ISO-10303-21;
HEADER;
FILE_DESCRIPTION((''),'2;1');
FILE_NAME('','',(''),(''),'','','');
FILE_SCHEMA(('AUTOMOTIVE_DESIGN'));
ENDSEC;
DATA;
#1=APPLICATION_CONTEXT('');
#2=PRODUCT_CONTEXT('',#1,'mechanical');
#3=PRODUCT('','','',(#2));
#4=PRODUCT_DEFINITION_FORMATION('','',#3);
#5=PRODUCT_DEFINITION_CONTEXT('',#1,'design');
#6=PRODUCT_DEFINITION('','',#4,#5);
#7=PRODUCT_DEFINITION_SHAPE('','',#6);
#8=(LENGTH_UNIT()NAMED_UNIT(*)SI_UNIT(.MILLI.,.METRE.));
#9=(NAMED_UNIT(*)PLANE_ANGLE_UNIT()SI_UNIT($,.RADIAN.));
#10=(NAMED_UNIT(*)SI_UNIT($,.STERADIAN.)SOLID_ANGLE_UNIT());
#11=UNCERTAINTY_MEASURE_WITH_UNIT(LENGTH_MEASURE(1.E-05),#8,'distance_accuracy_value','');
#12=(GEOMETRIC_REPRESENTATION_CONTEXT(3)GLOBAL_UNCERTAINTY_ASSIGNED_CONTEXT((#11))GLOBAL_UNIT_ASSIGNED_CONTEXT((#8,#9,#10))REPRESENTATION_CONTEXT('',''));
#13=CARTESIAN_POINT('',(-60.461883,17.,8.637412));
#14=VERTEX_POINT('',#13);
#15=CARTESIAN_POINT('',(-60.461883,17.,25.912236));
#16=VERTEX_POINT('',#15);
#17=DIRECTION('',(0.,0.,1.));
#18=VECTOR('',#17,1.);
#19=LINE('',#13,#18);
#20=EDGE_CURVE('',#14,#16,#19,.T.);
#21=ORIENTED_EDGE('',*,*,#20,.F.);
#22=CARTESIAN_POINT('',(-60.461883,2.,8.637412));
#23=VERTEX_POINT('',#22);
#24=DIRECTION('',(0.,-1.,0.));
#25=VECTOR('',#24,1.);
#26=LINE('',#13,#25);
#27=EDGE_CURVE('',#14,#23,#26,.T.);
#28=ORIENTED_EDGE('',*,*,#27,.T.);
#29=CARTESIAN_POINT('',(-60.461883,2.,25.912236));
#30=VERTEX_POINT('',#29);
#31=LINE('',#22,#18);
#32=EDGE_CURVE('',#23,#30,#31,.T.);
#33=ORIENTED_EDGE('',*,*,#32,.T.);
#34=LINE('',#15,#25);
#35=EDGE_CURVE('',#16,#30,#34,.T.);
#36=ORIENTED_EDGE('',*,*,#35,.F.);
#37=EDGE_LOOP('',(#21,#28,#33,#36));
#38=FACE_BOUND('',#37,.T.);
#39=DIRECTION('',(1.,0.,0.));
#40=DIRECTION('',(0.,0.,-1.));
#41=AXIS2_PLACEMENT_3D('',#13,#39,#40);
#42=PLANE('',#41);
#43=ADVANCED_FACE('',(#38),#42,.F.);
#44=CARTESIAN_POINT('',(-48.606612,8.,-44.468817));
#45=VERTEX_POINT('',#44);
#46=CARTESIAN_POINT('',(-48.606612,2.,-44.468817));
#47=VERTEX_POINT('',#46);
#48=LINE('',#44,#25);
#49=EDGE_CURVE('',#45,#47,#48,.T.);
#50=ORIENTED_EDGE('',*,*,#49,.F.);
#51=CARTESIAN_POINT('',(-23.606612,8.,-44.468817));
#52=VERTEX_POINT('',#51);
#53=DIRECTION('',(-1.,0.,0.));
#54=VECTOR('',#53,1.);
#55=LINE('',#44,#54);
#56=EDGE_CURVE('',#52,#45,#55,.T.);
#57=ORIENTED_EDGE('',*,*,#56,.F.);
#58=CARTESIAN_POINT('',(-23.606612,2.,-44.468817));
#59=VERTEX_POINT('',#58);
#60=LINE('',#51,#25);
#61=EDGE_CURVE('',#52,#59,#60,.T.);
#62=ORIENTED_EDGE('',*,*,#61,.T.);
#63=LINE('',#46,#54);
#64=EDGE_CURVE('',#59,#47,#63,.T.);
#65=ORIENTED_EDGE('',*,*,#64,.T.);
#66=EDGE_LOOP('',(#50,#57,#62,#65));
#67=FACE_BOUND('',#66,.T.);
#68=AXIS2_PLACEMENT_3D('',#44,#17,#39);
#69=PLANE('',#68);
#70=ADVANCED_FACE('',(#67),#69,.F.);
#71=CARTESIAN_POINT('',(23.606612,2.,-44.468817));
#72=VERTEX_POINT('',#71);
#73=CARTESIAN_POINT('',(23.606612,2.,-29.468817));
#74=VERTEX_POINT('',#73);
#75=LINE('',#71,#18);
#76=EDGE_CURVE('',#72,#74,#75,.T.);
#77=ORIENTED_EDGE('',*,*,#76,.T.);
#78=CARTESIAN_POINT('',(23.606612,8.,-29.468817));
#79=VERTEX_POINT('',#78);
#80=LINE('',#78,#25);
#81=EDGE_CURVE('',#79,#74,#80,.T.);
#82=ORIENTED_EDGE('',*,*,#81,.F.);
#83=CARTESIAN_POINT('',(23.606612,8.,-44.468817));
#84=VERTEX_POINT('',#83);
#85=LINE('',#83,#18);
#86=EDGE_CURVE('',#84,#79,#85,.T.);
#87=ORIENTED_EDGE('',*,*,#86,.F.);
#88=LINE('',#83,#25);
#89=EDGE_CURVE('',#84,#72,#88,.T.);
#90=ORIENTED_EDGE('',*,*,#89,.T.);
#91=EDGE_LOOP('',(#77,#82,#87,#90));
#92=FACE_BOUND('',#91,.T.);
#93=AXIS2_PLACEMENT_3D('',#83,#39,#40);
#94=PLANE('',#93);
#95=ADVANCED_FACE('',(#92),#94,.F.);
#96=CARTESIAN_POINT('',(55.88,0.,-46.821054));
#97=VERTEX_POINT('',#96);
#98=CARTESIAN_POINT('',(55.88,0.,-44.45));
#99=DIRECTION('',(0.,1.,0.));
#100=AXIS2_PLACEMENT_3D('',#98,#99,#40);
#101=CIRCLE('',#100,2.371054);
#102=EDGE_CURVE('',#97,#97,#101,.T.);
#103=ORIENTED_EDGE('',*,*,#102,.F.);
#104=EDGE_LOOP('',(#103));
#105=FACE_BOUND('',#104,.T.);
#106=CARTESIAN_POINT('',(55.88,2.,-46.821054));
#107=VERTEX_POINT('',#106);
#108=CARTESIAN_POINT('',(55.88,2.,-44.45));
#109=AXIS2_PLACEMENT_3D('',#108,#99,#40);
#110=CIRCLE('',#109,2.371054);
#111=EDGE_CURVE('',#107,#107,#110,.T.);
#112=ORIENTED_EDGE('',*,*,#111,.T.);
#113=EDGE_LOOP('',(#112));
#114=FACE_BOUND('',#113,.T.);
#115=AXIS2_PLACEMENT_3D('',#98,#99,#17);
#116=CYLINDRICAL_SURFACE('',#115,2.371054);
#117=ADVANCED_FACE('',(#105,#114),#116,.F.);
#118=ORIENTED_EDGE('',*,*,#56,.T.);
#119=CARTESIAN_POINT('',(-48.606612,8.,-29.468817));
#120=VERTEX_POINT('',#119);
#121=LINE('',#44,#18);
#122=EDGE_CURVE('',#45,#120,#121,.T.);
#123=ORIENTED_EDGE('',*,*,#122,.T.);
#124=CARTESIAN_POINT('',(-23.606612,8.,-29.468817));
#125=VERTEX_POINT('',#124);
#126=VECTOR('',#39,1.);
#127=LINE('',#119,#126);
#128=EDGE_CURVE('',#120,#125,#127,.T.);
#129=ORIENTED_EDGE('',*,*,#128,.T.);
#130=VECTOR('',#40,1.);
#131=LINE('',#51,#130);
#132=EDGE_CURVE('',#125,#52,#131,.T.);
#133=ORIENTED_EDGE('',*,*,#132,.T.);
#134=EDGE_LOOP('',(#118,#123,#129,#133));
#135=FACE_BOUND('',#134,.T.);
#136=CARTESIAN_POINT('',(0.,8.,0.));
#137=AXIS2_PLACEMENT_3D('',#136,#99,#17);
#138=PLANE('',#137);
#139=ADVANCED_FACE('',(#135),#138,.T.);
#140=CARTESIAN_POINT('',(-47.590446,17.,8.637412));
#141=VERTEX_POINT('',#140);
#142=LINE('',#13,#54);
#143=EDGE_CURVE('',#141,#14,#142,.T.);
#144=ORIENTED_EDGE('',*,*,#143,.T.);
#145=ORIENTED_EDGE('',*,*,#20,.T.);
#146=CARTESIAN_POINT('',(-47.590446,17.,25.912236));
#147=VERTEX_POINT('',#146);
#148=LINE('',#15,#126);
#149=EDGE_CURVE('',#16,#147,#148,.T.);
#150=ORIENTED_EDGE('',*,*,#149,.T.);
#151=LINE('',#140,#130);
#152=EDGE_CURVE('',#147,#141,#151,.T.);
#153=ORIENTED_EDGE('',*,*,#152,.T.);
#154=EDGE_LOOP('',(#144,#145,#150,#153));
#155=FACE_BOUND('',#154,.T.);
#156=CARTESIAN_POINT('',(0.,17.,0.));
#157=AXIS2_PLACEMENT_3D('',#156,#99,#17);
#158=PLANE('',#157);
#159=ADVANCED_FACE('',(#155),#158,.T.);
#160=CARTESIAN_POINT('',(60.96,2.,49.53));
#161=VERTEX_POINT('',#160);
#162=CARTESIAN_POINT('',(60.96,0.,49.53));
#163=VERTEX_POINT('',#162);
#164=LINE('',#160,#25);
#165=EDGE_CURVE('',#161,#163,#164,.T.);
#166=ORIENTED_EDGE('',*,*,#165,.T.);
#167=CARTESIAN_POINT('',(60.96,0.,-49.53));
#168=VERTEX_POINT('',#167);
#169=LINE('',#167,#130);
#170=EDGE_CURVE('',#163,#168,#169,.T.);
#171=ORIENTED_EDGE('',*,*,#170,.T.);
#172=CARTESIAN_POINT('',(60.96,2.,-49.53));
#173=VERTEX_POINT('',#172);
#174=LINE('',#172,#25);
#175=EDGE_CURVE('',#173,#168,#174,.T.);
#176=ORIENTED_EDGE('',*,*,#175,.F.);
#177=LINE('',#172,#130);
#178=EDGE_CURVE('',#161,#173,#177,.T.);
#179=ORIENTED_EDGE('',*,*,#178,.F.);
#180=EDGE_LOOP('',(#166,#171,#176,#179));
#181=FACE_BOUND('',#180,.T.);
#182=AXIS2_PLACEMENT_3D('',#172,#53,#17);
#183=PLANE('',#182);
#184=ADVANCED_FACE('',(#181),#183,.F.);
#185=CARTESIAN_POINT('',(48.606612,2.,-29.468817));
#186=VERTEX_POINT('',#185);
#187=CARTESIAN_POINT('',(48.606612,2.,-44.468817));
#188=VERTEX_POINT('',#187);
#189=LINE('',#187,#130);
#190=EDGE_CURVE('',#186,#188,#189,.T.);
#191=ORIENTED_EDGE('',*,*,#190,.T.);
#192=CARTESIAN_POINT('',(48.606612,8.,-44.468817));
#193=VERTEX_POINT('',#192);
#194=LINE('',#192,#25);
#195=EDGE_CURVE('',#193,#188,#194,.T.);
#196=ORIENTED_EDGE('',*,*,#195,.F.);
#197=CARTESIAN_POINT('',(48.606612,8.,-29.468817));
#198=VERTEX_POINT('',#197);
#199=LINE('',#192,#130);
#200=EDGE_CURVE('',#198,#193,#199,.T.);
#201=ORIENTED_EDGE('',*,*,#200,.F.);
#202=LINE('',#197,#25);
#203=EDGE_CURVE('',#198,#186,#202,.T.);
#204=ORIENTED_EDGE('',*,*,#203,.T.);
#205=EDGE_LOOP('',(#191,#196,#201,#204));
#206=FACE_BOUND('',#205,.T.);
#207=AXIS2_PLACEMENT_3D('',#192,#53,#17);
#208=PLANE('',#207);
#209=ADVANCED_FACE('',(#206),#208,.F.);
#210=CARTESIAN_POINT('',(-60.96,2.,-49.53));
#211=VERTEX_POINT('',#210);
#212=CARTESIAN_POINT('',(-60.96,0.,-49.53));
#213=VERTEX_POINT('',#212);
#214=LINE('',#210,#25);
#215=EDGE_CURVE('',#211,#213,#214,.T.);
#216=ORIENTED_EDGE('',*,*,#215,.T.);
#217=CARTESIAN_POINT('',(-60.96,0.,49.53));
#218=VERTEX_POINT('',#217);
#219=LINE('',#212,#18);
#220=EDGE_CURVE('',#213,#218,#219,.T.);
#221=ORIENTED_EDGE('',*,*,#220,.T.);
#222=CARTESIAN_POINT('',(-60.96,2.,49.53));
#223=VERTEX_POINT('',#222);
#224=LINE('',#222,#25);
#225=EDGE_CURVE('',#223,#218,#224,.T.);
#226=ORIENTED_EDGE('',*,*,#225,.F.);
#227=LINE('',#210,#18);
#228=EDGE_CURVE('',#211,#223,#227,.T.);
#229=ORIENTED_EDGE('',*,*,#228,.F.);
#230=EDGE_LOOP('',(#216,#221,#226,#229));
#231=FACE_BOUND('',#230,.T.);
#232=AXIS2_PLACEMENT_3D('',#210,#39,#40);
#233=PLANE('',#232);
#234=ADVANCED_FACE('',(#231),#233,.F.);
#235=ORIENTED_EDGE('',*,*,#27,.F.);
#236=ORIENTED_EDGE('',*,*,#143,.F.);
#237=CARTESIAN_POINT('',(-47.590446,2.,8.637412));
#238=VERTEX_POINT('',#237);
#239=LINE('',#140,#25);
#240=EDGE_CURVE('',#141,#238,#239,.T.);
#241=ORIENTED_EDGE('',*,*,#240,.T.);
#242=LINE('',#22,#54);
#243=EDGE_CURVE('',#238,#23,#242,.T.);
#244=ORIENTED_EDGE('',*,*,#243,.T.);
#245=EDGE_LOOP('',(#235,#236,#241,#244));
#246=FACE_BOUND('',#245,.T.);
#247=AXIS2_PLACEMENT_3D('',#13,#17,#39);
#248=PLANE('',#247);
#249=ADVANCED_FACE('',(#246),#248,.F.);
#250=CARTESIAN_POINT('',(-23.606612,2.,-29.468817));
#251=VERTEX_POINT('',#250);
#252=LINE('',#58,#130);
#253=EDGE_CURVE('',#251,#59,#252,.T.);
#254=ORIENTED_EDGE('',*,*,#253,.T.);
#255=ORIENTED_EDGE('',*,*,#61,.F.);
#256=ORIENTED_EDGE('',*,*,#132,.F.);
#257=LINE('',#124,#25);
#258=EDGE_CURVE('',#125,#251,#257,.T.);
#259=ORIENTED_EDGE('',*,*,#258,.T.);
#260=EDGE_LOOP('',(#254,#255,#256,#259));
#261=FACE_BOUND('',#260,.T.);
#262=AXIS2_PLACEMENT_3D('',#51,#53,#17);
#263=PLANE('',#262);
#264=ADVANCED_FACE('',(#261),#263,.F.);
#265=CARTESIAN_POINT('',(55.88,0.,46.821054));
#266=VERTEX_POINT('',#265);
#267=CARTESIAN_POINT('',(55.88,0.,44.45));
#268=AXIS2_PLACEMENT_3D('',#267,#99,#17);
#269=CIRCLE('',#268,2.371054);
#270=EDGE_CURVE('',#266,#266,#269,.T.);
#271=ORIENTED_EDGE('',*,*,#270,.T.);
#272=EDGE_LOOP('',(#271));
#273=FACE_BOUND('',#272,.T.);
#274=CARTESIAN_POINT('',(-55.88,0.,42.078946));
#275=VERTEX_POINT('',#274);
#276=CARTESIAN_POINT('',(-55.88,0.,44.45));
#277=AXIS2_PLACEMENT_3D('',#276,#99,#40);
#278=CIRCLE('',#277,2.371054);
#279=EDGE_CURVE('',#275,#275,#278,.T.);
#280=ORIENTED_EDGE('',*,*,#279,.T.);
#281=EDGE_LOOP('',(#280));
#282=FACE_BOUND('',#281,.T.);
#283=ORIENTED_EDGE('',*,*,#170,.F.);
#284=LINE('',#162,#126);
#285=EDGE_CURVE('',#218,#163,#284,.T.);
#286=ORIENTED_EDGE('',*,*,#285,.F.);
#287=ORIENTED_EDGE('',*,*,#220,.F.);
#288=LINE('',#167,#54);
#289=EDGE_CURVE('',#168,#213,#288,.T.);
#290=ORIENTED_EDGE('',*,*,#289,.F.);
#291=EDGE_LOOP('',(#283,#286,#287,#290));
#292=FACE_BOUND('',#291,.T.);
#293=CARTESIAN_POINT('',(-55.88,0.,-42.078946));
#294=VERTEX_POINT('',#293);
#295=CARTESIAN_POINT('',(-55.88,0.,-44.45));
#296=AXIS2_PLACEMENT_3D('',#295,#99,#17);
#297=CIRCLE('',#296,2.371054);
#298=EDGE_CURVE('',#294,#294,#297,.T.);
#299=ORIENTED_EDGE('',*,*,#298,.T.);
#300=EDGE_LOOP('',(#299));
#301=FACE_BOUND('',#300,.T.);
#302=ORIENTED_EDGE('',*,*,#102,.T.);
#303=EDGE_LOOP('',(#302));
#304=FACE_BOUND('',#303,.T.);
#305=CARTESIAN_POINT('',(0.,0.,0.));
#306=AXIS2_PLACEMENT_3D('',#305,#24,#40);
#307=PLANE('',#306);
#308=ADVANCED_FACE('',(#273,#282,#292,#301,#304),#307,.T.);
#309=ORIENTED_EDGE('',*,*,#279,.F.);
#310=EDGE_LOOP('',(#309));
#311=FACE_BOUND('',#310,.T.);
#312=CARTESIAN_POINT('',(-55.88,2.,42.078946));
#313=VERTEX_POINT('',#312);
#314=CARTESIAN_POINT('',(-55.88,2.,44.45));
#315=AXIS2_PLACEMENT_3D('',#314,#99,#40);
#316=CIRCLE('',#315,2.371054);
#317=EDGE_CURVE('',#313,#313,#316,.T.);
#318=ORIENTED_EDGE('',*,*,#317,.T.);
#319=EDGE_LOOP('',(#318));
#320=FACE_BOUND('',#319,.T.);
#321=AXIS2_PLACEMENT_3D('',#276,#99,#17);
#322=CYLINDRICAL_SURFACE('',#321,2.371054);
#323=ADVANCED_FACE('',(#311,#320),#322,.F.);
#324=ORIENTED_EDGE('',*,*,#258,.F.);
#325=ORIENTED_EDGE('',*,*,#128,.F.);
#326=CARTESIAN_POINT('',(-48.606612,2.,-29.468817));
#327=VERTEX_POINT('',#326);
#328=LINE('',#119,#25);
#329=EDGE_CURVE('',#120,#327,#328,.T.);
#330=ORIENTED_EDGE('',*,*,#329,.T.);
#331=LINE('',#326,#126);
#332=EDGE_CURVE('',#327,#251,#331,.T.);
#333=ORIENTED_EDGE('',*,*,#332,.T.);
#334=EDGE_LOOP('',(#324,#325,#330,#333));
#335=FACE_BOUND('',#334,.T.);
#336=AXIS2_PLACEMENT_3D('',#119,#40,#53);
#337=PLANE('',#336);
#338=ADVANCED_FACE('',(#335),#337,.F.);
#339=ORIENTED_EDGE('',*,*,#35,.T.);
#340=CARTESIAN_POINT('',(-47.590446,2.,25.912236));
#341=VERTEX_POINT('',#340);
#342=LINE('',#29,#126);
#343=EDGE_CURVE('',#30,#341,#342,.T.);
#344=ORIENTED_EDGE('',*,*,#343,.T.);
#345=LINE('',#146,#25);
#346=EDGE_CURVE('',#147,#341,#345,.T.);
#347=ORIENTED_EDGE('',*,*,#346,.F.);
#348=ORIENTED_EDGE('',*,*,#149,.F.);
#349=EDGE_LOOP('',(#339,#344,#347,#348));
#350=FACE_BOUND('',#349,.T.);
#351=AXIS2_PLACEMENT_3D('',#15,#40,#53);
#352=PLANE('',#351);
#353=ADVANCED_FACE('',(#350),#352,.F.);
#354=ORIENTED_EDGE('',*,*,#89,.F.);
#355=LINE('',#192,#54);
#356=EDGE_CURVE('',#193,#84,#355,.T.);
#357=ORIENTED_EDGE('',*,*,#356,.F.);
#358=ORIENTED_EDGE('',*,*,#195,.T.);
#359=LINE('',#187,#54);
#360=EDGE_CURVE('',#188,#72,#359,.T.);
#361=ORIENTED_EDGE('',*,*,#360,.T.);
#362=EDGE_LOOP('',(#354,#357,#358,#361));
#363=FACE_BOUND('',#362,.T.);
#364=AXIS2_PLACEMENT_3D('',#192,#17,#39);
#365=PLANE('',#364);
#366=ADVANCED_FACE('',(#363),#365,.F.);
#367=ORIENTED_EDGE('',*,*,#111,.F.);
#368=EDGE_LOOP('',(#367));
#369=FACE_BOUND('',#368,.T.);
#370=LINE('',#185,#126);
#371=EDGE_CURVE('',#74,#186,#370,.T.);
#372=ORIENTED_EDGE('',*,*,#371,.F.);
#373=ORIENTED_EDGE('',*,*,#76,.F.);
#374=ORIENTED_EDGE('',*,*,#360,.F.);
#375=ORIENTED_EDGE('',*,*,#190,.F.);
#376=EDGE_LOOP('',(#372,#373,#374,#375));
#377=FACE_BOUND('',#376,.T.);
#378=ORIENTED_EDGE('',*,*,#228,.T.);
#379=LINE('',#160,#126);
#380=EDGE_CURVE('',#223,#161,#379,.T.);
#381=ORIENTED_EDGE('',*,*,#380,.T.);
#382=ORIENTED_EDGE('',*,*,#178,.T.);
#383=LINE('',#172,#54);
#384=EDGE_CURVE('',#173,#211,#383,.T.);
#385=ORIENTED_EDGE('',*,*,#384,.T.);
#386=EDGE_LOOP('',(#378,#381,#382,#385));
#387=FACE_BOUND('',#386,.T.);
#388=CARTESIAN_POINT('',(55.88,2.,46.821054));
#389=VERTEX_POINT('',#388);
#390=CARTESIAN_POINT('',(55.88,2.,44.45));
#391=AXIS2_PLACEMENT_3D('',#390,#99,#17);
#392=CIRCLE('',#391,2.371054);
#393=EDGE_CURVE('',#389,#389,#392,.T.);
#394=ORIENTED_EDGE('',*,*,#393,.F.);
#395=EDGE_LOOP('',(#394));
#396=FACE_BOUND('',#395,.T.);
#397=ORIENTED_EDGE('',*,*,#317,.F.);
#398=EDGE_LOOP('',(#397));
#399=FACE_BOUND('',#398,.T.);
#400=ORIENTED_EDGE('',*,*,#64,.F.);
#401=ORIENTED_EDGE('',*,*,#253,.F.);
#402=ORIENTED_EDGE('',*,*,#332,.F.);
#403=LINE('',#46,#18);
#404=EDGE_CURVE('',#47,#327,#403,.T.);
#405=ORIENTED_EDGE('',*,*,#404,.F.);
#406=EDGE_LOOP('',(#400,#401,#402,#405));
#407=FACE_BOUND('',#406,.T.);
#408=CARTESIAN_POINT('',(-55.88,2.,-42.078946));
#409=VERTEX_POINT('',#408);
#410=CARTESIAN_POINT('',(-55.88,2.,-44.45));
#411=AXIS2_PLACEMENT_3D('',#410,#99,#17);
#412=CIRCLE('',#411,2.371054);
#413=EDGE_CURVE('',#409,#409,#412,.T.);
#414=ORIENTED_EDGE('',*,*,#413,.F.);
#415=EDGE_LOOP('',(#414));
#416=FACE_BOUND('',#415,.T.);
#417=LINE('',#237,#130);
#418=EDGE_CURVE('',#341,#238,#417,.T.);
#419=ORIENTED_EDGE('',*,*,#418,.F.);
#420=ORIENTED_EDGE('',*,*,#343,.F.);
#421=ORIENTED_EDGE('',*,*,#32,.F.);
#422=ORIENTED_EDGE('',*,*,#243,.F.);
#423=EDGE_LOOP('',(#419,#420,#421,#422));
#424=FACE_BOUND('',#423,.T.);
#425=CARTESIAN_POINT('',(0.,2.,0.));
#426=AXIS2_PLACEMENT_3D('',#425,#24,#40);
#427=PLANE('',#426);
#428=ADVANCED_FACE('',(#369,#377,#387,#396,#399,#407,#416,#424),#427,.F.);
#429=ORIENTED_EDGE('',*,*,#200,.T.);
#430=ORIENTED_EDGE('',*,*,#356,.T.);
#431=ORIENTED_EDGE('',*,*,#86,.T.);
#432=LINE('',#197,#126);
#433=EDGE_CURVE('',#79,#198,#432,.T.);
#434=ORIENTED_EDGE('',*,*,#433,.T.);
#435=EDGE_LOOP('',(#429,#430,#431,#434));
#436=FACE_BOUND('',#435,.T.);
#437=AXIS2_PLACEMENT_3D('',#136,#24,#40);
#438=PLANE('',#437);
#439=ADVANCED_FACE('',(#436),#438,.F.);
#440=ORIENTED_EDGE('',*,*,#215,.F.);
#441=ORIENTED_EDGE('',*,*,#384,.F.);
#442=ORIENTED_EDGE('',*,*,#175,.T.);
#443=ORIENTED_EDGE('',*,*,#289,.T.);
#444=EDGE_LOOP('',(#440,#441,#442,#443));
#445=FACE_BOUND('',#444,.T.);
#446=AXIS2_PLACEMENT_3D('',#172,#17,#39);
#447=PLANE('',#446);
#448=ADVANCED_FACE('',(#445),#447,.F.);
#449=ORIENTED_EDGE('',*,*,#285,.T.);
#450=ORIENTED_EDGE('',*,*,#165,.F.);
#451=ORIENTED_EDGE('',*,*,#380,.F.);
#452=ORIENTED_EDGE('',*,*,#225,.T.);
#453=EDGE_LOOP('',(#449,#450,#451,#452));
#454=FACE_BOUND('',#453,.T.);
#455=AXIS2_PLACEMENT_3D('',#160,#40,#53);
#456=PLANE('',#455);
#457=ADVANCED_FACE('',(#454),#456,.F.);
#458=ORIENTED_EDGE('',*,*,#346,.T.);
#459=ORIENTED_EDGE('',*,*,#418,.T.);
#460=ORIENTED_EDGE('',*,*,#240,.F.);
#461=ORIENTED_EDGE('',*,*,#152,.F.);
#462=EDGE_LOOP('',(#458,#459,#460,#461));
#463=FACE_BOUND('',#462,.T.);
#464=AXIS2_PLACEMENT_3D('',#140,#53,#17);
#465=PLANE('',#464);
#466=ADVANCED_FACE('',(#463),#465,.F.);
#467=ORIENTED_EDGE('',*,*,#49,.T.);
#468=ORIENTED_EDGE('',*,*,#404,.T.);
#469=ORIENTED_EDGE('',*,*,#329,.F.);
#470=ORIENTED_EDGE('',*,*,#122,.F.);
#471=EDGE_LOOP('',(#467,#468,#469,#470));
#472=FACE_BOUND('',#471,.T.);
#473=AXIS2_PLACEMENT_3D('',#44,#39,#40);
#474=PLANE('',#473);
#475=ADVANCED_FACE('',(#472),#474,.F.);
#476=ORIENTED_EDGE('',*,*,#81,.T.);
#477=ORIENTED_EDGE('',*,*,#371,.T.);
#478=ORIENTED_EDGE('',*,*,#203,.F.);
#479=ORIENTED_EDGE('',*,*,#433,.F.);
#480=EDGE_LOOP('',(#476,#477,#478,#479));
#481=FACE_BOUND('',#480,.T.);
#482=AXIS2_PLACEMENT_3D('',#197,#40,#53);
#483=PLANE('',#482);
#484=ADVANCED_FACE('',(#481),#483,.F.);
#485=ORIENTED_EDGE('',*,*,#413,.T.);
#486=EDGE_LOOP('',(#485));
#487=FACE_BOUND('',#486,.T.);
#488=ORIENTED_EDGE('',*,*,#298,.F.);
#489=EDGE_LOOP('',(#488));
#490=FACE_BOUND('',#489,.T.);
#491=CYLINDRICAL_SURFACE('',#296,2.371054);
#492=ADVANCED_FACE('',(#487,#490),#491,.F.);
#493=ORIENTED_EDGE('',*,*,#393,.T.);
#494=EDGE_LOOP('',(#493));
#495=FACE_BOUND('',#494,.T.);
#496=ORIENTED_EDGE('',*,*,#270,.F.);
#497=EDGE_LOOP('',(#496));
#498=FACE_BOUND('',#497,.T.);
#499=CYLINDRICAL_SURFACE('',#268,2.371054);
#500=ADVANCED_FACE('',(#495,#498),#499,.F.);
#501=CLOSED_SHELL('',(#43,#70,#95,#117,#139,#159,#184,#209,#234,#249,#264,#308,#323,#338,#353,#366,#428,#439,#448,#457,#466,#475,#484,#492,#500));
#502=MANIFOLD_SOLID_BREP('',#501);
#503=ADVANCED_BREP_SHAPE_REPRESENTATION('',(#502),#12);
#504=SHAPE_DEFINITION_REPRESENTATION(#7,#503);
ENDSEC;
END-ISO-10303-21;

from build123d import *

# Parameters (mm, degrees)
SKETCH1_W           = 121.92
SKETCH1_H           = 99.06
BOSS_EXTRUDE1_DEPTH = 2
SKETCH2_R           = 2.371054243
CUT_EXTRUDE1_DEPTH  = 2
SKETCH3_W           = 25
SKETCH3_H           = 15
BOSS_EXTRUDE2_DEPTH = 6
SKETCH4_W           = 12.871437318
SKETCH4_H           = 17.274823769
BOSS_EXTRUDE3_DEPTH = 15


with BuildPart() as part:
    # Sketch1 → Boss-Extrude1 (new body)
    with BuildSketch(Plane(origin=(0, 0, 0), x_dir=(1, 0, 0), z_dir=(0, 1, 0))):
        Rectangle(SKETCH1_W, SKETCH1_H)
    extrude(amount=BOSS_EXTRUDE1_DEPTH)

    # Sketch2 → Cut-Extrude1 (cut)
    with BuildSketch(Plane(origin=(0, 2, 0), x_dir=(1, 0, 0), z_dir=(0, 1, 0))):
        with Locations((-55.88, 44.45)):
            Circle(SKETCH2_R)
        with Locations((55.88, 44.45)):
            Circle(SKETCH2_R)
        with Locations((55.88, -44.45)):
            Circle(SKETCH2_R)
        with Locations((-55.88, -44.45)):
            Circle(SKETCH2_R)
    extrude(amount=-CUT_EXTRUDE1_DEPTH, mode=Mode.SUBTRACT)

    # Sketch3 → Boss-Extrude2 (add)
    with BuildSketch(Plane(origin=(0, 2, 0), x_dir=(1, 0, 0), z_dir=(0, 1, 0))):
        with Locations((-36.106611978, 36.968817018)):
            Rectangle(SKETCH3_W, SKETCH3_H)
        with Locations((36.106611978, 36.968817018)):
            Rectangle(SKETCH3_W, SKETCH3_H)
    extrude(amount=BOSS_EXTRUDE2_DEPTH)

    # Sketch4 → Boss-Extrude3 (add)
    with BuildSketch(Plane(origin=(0, 2, 0), x_dir=(1, 0, 0), z_dir=(0, 1, 0))):
        with Locations((-54.026164533, -17.274823769)):
            Rectangle(SKETCH4_W, SKETCH4_H)
    extrude(amount=BOSS_EXTRUDE3_DEPTH)


solid = part.part
